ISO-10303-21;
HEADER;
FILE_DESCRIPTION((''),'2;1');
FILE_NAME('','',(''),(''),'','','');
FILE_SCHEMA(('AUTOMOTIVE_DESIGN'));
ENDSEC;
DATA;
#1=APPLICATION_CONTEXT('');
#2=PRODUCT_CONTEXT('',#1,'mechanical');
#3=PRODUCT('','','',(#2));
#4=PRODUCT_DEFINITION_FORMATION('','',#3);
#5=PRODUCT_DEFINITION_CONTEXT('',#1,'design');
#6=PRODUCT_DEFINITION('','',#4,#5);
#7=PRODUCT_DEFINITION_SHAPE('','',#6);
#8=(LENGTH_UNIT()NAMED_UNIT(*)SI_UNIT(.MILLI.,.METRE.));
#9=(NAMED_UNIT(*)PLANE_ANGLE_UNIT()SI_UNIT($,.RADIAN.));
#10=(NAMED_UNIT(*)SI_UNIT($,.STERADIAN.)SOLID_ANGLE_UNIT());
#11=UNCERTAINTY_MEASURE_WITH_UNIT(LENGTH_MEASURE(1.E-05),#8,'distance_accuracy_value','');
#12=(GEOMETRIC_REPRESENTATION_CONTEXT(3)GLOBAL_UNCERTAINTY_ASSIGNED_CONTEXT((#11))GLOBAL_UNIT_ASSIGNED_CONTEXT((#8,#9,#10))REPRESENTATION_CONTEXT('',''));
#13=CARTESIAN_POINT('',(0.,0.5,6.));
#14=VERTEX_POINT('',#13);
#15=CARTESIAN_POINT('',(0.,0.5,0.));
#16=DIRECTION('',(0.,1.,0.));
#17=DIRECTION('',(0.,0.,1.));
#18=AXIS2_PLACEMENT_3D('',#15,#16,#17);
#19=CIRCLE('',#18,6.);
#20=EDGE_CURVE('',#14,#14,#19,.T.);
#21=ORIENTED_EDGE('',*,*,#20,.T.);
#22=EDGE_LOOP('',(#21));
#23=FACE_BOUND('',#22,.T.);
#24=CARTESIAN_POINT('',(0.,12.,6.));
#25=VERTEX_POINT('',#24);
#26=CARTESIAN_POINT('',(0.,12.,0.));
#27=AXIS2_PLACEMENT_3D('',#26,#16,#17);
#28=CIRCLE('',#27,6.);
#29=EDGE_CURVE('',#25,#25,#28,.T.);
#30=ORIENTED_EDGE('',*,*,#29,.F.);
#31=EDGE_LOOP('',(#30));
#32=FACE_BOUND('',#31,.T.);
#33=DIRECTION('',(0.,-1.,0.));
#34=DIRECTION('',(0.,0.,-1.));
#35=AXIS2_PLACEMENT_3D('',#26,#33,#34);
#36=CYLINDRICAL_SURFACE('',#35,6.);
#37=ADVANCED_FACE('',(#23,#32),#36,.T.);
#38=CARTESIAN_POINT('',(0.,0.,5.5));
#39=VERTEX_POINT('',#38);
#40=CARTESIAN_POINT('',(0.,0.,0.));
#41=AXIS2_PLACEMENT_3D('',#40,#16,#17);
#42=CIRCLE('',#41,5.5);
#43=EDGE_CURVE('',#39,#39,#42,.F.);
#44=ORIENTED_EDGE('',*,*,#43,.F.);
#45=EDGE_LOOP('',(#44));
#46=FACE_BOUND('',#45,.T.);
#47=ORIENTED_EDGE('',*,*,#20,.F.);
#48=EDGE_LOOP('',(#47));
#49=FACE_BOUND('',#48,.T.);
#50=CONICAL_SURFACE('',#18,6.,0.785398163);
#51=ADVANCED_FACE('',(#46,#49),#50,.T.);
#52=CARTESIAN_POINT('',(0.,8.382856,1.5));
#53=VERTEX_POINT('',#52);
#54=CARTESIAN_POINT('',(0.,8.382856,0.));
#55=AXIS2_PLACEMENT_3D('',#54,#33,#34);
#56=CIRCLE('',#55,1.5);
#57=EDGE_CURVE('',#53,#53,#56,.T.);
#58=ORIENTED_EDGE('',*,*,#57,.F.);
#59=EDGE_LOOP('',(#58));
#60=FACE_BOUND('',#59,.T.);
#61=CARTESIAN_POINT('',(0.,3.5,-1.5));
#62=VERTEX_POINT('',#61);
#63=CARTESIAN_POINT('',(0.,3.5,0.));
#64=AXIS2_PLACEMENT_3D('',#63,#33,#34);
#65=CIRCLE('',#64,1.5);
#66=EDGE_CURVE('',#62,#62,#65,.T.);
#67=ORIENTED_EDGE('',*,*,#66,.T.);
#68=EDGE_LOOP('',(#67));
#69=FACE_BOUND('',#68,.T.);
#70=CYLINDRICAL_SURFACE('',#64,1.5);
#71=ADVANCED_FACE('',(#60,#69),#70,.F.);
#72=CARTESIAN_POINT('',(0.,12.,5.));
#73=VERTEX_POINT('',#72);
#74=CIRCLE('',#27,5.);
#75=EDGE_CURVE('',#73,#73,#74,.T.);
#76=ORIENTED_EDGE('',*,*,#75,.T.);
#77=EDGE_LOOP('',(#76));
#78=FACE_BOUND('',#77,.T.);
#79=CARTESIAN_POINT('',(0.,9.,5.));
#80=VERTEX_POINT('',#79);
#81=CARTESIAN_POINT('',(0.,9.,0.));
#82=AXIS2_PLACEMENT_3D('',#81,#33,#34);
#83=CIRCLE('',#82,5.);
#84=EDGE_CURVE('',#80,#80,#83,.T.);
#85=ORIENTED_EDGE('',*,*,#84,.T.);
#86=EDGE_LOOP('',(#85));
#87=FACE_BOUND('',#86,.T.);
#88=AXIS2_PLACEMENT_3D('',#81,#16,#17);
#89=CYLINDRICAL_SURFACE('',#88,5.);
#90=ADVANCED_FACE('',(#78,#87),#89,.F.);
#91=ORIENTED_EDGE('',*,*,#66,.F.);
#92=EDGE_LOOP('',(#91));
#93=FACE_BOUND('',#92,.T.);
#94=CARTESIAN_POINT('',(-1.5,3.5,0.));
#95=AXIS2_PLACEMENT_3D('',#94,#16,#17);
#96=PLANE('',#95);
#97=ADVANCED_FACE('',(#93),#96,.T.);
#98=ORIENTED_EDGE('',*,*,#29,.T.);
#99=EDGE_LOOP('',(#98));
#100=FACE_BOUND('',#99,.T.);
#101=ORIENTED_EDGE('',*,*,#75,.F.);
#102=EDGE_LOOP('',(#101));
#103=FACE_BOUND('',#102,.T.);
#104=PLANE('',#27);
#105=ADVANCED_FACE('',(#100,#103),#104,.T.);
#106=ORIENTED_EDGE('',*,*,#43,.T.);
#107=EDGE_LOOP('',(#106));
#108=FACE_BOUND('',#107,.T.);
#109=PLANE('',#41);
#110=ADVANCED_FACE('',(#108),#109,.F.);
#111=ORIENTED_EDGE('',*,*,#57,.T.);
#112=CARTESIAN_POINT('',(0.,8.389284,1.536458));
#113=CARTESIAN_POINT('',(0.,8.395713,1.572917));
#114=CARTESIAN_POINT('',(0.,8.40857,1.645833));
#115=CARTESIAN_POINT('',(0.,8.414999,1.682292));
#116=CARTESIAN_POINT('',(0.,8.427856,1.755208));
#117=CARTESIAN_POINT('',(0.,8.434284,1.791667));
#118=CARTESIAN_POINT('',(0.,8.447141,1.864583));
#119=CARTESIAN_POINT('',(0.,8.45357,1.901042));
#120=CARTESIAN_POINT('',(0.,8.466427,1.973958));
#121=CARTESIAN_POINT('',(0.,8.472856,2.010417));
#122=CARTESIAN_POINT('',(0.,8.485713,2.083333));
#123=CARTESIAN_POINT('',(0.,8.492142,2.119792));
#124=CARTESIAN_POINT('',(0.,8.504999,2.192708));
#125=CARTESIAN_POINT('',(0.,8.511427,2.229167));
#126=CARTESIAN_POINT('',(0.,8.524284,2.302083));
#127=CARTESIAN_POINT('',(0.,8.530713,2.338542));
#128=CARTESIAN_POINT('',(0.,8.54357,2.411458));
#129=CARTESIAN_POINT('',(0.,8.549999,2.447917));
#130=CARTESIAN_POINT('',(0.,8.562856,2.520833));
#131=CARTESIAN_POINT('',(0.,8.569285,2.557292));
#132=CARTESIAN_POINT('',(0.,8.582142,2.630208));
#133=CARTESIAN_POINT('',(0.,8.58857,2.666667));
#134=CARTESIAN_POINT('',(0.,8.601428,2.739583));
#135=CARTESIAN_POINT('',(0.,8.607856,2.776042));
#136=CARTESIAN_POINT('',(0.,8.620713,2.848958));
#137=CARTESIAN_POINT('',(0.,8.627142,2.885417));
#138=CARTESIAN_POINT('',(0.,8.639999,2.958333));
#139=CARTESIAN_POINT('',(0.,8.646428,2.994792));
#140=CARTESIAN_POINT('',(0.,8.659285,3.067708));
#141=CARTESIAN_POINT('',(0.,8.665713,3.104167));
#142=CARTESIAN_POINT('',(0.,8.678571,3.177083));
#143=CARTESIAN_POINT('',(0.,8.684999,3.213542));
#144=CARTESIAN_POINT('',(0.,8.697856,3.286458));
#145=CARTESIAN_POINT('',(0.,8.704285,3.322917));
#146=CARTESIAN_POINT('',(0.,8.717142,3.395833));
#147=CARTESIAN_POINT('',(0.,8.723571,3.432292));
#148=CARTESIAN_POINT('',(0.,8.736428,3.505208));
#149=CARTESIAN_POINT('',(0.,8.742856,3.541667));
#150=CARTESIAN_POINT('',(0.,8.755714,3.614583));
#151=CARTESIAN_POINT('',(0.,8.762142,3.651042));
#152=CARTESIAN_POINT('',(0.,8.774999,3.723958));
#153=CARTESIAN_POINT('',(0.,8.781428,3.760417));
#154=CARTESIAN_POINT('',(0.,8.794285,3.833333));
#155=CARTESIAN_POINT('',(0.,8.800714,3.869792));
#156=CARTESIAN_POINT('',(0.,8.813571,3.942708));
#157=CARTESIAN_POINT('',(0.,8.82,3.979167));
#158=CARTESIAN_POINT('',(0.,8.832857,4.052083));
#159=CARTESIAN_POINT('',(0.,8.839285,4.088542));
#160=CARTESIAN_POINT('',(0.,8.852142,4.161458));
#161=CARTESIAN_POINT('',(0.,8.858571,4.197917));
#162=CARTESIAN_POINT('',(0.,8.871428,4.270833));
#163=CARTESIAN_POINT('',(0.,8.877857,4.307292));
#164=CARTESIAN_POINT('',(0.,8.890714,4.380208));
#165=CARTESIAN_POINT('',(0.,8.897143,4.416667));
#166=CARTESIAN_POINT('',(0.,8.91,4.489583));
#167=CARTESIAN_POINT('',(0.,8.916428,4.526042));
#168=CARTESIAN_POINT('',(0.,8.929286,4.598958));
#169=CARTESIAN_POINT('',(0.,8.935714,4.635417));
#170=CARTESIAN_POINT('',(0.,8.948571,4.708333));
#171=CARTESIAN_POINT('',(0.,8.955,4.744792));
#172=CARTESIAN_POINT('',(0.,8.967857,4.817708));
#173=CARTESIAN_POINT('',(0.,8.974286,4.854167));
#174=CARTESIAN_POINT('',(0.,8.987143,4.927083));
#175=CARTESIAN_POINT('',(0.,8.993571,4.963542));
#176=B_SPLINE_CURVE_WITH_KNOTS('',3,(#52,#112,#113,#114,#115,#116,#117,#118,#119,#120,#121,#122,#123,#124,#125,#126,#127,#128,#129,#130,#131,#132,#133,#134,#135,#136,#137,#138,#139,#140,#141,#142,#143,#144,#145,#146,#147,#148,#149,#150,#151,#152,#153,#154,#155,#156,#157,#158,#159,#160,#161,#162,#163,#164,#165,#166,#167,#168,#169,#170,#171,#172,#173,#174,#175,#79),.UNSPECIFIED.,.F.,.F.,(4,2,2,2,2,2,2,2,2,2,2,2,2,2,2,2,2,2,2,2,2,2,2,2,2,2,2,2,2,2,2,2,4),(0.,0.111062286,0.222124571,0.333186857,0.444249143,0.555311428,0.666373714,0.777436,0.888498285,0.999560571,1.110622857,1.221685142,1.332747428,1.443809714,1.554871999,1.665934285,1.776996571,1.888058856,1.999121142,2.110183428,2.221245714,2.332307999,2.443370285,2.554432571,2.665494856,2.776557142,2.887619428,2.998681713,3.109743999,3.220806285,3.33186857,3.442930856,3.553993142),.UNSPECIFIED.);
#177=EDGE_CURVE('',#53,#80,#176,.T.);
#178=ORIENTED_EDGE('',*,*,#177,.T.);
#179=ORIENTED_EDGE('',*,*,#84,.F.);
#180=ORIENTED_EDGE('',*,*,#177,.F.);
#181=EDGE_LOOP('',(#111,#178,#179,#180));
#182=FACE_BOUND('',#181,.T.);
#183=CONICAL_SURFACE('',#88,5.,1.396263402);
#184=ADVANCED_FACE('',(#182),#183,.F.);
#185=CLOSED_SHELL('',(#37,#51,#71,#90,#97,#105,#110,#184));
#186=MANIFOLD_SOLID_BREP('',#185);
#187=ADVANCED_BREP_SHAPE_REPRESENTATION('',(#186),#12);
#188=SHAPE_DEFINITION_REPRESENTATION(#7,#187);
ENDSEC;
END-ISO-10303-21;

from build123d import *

# Parameters (mm, degrees)
SKETCH1_R           = 6
BOSS_EXTRUDE1_DEPTH = 12
SKETCH2_R           = 5
CUT_EXTRUDE1_DEPTH  = 3
CHAMFER1_SIZE       = 0.5


with BuildPart() as part:
    # Sketch1 → Boss-Extrude1 (new body)
    with BuildSketch(Plane(origin=(0, 0, 0), x_dir=(1, 0, 0), z_dir=(0, 1, 0))):
        with Locations(Location((0, 0, 0), (0, 0, 270))):
            Circle(SKETCH1_R)
    extrude(amount=BOSS_EXTRUDE1_DEPTH)

    # Sketch2 → Cut-Extrude1 (cut)
    with BuildSketch(Plane(origin=(0, 12, 0), x_dir=(1, 0, 0), z_dir=(0, 1, 0))):
        with Locations(Location((0, 0, 0), (0, 0, 270))):
            Circle(SKETCH2_R)
    extrude(amount=-CUT_EXTRUDE1_DEPTH, mode=Mode.SUBTRACT)

    # Sketch3 → Cut-Revolve1 (revolve, cut)
    with BuildSketch(Plane.XY, mode=Mode.PRIVATE) as cut_revolve1_sk:
        Polygon((-5, 9), (-1.5, 8.382855568), (-1.5, 3.5), (0, 3.5), (0, 9), align=None)
    revolve(cut_revolve1_sk.sketch.rotate(Axis((0, 3.5, 0), (0, 1, 0)), 90), axis=Axis((0, 3.5, 0), (0, 1, 0)), mode=Mode.SUBTRACT)

    # Chamfer1
    chamfer1_edges = [part.edges().sort_by_distance(p)[0] for p in [
        (0, 0, -6),
    ]]
    chamfer(chamfer1_edges, length=CHAMFER1_SIZE)


solid = part.part
